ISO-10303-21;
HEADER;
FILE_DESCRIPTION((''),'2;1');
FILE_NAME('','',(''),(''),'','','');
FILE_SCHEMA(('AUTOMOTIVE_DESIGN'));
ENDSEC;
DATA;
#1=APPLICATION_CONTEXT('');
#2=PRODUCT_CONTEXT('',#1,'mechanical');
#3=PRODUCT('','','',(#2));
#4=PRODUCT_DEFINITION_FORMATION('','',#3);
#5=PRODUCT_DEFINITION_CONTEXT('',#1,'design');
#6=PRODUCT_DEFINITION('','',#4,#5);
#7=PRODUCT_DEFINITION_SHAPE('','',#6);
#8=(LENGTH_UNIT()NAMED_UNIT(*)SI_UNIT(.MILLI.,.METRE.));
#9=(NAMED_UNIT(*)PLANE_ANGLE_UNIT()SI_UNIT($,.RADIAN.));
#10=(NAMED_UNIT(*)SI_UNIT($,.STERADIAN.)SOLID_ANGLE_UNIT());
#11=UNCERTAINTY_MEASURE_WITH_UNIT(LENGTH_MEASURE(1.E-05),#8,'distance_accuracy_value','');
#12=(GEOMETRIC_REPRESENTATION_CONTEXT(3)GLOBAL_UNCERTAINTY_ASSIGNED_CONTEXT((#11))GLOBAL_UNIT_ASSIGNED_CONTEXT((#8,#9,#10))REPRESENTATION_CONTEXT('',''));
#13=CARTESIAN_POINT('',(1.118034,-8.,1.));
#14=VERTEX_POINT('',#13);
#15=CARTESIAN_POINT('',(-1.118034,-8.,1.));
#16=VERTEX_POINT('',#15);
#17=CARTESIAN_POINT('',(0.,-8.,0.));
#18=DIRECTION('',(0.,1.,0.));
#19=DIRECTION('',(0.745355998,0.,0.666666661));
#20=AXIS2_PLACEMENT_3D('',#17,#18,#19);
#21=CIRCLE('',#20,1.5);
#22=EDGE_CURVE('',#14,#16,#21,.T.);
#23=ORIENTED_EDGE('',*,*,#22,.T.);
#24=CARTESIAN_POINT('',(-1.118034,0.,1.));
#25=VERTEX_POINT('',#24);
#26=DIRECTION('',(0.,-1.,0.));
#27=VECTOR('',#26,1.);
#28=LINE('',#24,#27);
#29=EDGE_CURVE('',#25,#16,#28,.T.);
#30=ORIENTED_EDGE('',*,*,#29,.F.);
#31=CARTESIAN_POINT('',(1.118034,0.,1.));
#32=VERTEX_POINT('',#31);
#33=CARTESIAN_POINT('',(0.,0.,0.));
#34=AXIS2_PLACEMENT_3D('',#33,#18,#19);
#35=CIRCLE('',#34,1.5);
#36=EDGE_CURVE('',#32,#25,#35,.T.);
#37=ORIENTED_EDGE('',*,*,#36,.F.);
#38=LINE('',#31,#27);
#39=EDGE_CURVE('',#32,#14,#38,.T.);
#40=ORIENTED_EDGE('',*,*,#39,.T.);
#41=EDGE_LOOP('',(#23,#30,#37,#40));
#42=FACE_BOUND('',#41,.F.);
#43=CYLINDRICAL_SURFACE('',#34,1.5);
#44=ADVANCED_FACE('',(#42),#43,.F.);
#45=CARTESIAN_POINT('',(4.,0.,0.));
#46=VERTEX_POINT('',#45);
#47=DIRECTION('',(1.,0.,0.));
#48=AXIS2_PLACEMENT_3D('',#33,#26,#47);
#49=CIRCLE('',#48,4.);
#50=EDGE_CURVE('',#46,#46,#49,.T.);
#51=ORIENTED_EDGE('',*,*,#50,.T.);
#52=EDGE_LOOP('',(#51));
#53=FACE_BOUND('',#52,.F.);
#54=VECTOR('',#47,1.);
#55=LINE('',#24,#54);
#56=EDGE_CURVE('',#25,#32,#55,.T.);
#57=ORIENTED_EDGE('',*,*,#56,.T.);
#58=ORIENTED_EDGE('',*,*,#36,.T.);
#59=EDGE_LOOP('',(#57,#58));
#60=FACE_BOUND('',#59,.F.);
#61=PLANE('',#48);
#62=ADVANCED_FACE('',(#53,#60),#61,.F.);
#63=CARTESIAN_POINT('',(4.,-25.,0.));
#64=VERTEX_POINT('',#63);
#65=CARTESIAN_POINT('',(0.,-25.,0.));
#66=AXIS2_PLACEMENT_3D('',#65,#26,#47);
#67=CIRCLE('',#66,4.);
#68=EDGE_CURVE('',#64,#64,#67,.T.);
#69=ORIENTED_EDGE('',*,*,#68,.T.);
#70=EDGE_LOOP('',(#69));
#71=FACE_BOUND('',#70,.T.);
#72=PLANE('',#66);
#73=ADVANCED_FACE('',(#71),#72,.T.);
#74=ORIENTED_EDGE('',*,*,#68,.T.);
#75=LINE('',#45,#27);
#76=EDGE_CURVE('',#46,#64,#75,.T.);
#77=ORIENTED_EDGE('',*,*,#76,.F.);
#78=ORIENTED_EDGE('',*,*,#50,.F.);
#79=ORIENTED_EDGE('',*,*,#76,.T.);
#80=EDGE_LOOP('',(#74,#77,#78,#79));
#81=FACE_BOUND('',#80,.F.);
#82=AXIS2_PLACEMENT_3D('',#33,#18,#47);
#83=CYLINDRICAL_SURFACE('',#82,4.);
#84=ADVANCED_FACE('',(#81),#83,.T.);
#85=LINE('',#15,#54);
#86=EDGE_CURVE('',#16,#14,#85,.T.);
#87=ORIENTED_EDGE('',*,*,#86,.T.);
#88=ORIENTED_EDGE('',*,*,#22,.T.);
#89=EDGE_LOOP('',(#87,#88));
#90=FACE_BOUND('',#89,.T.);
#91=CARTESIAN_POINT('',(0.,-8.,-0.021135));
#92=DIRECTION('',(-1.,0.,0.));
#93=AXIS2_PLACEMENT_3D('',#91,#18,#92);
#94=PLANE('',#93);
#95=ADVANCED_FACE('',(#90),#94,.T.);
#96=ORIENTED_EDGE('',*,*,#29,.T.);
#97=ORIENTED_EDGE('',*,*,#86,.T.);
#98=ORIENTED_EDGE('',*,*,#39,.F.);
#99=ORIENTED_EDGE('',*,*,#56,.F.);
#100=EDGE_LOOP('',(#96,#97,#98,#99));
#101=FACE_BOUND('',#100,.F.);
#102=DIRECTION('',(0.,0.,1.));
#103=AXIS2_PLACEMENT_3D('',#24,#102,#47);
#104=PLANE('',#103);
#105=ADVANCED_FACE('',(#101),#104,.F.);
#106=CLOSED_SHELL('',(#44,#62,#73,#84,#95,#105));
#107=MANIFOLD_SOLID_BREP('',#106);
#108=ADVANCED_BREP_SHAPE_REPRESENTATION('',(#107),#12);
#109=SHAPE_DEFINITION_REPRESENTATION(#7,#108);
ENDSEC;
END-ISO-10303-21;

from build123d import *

# Parameters (mm, degrees)
F0_R     = 4
F1_DEPTH = 25
F3_DEPTH = 8


with BuildPart() as f1:
    # F0 (on Front) → F1 (new body)
    with BuildSketch(Plane.XZ):
        Circle(F0_R)
    extrude(amount=F1_DEPTH)

    # F2 (on face) → F3 (cut)
    with BuildSketch(Plane(origin=(0, 0, 0), x_dir=(-1, 0, 0), z_dir=(0, 1, 0))):
        with BuildLine():
            Line((1.118034, 1), (-1.118034, 1))
            ThreePointArc((-1.118034, 1), (0, -1.5), (1.118034, 1))
        make_face()
    extrude(amount=-F3_DEPTH, mode=Mode.SUBTRACT)


solid = f1.part
